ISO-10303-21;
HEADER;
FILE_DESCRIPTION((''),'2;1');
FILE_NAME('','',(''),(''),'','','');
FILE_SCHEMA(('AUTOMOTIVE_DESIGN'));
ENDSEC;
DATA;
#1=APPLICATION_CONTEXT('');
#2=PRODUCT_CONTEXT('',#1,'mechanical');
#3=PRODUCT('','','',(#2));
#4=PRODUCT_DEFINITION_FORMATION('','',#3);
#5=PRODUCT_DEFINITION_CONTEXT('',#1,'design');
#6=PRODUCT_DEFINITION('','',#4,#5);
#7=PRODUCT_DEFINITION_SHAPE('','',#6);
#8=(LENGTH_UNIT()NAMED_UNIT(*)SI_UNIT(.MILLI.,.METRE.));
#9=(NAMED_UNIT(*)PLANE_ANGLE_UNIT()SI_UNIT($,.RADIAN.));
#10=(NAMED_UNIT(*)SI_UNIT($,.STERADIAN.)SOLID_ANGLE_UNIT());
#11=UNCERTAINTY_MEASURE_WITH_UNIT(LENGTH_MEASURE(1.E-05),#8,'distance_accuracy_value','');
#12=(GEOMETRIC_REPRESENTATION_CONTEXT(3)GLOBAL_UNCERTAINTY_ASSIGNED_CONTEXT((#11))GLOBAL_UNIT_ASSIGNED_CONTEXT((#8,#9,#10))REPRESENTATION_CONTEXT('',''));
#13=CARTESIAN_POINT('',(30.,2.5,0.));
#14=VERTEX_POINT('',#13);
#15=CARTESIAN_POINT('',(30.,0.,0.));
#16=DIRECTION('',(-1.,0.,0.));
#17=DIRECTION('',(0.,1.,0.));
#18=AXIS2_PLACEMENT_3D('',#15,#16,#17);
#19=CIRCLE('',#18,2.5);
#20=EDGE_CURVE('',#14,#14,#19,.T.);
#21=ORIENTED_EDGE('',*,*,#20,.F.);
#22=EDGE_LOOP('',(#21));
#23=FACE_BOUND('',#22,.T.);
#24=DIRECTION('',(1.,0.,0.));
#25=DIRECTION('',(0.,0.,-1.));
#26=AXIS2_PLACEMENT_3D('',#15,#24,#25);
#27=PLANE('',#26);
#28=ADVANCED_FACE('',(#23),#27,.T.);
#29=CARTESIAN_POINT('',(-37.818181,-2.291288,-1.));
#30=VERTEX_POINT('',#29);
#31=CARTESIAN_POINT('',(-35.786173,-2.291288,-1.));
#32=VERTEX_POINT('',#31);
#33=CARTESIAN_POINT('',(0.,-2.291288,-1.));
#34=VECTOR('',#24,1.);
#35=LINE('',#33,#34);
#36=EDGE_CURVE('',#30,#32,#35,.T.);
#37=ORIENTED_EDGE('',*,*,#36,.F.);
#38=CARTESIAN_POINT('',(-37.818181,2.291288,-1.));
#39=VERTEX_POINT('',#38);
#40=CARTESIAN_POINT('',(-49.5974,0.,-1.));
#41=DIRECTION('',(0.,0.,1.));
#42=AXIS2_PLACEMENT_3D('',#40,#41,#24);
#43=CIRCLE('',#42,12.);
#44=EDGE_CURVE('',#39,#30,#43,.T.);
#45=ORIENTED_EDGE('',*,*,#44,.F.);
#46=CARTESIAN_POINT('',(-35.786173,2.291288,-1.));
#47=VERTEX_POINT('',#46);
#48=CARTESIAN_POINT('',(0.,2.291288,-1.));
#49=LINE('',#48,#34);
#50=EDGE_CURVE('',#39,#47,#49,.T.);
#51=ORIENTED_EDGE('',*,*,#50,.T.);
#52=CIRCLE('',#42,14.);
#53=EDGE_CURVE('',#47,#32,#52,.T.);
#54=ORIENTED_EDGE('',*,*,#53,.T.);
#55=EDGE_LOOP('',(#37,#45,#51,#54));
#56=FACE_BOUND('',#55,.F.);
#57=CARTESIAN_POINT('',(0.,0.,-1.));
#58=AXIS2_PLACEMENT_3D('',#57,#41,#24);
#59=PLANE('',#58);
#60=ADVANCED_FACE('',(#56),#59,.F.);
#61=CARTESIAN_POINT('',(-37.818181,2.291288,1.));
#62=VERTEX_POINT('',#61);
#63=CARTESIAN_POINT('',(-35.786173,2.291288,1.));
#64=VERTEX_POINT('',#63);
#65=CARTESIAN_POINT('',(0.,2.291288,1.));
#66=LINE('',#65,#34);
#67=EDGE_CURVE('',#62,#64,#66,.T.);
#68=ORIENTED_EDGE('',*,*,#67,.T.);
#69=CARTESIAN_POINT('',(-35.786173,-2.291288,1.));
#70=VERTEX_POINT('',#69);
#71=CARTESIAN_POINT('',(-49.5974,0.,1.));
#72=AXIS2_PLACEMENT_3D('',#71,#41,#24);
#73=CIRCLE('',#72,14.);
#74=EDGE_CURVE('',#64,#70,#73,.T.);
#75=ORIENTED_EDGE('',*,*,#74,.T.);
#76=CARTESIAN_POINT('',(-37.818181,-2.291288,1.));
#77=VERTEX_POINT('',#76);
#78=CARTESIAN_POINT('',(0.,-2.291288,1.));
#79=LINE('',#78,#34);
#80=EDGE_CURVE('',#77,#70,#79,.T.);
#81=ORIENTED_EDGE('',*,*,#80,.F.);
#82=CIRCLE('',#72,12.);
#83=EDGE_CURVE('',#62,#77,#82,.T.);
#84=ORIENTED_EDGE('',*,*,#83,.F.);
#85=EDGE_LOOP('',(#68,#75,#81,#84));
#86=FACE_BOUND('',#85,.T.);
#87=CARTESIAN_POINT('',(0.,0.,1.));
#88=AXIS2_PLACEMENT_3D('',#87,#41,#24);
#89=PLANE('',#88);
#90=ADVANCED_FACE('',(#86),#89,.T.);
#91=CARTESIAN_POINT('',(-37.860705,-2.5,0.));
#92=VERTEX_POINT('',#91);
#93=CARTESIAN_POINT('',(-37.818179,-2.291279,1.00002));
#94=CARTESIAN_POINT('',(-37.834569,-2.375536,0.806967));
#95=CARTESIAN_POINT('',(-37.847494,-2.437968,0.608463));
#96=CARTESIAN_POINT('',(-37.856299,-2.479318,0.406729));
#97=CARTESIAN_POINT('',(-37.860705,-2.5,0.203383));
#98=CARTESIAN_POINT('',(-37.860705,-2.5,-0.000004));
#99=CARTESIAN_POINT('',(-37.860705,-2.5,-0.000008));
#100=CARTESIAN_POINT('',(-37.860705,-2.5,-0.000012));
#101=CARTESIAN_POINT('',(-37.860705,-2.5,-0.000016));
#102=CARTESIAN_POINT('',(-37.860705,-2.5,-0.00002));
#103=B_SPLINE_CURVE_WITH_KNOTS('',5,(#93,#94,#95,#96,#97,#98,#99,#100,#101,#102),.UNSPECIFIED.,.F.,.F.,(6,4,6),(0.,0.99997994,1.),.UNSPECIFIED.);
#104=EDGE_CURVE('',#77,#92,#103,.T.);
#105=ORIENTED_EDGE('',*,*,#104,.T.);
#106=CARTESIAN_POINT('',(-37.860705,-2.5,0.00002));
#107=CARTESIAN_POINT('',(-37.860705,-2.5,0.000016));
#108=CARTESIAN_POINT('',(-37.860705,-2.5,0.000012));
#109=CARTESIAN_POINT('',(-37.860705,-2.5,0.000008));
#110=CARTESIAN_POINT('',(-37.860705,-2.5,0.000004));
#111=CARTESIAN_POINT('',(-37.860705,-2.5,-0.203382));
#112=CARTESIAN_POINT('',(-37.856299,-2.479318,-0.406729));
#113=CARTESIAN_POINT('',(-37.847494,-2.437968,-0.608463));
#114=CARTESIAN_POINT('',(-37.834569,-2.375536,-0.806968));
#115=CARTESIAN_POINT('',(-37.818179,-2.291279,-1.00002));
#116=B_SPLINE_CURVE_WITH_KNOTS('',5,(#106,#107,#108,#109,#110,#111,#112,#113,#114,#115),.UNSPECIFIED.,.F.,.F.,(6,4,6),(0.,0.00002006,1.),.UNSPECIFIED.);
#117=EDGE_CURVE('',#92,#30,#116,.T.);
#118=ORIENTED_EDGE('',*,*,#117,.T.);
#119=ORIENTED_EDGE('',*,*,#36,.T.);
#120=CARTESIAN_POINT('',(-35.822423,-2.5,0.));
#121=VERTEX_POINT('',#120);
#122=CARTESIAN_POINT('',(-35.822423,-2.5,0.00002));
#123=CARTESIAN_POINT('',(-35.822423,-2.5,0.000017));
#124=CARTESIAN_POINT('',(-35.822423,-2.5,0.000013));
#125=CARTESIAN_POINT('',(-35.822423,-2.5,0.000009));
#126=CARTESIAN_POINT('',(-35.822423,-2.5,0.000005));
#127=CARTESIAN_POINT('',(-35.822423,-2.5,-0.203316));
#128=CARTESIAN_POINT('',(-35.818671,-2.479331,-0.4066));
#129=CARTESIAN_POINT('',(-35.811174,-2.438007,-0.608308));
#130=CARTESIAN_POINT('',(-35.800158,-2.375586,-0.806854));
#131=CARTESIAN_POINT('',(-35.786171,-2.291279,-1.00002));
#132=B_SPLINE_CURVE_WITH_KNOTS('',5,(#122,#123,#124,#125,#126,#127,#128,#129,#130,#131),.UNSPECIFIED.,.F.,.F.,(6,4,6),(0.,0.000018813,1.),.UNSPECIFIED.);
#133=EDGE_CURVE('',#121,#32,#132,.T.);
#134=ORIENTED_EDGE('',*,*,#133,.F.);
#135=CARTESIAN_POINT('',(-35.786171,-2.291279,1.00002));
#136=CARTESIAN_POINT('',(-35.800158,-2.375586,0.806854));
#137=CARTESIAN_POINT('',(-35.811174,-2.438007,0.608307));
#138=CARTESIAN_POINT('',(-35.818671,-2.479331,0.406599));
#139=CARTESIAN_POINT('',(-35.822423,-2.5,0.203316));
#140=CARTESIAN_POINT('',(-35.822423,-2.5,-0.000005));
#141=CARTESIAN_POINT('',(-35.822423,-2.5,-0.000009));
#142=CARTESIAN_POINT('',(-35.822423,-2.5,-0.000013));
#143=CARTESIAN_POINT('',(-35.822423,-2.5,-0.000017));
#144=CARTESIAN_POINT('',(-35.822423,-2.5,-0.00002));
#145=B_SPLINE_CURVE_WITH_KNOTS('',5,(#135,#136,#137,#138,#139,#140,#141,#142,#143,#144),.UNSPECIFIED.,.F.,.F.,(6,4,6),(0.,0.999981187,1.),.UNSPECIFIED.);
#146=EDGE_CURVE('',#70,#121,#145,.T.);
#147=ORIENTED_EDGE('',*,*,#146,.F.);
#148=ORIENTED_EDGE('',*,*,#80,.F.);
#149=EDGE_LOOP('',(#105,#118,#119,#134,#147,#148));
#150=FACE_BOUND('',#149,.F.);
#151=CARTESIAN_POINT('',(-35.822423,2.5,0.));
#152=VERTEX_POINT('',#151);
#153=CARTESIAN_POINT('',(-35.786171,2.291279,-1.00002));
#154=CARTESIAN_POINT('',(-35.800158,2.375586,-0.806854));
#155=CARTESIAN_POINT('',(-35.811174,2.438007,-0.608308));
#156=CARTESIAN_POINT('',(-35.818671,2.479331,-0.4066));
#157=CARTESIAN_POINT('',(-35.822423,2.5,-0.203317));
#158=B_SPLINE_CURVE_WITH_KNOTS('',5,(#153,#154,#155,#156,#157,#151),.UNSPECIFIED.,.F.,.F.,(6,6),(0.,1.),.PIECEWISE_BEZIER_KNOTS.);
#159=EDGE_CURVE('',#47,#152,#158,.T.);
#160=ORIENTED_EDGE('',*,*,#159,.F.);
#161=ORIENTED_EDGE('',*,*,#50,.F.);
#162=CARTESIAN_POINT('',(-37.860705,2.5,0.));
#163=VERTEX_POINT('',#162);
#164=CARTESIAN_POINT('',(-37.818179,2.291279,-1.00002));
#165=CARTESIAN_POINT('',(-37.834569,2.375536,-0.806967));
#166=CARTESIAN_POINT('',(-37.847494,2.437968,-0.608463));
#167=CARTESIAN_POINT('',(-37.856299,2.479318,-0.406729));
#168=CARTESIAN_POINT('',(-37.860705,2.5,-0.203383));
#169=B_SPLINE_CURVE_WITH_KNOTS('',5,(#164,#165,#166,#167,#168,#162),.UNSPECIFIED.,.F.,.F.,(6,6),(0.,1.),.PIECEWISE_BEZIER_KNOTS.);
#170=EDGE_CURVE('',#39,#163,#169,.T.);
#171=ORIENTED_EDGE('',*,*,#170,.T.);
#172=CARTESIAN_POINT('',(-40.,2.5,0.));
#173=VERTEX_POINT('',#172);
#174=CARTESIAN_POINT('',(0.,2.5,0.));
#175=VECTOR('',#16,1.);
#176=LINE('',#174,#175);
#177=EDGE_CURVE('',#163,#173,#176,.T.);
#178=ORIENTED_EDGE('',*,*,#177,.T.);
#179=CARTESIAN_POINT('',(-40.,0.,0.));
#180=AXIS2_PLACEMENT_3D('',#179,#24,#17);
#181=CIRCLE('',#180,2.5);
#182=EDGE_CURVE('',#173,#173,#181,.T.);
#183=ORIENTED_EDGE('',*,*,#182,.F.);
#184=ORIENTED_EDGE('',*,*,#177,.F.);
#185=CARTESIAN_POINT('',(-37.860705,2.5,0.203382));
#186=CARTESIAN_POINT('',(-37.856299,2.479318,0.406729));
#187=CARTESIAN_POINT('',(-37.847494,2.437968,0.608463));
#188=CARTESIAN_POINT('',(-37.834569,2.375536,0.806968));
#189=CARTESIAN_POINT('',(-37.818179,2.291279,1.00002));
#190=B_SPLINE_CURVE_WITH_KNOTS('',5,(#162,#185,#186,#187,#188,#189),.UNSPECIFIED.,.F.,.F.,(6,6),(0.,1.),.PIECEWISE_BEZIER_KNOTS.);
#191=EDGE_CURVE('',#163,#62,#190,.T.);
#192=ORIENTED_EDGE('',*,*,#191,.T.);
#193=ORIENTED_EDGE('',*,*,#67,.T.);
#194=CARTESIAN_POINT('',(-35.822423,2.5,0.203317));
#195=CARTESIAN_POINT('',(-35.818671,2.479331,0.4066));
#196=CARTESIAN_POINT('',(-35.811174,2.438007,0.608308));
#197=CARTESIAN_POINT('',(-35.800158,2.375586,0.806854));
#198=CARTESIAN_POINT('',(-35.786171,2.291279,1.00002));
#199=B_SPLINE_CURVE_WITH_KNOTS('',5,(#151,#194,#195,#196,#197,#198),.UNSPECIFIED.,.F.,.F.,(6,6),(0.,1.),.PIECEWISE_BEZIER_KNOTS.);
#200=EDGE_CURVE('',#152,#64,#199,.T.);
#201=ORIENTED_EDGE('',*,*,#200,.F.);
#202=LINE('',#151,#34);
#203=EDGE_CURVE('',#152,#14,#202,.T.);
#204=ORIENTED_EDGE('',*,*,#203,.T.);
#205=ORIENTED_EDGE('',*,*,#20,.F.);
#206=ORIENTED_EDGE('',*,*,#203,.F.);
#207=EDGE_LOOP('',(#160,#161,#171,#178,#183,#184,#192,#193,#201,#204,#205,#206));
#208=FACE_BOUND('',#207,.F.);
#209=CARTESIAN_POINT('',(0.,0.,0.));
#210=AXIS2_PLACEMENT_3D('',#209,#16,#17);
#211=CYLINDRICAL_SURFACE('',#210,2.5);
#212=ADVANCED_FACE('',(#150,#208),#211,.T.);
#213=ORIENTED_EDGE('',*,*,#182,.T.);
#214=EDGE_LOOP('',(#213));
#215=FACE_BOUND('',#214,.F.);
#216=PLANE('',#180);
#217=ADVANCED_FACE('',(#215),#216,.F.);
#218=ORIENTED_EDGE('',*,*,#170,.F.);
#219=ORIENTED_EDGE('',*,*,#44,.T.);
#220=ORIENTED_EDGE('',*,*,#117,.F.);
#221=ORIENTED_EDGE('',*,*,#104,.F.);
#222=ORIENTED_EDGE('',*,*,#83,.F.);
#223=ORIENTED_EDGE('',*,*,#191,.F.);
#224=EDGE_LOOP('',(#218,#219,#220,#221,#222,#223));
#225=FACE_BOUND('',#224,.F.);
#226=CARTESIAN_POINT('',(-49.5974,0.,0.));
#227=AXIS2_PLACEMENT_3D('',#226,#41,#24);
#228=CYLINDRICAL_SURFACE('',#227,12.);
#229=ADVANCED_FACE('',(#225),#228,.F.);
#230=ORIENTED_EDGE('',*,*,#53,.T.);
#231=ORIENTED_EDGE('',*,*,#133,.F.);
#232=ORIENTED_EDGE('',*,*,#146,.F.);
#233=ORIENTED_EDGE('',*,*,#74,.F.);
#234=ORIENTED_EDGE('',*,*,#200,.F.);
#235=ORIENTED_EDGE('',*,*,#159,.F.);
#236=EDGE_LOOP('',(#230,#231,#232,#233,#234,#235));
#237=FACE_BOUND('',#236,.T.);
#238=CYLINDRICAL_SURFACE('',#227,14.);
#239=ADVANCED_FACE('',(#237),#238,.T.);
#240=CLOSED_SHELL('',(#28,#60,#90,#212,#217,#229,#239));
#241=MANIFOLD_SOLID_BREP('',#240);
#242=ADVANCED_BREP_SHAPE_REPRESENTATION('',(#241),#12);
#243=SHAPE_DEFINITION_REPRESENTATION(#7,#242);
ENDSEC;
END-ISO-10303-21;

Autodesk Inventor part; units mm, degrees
ref_plane "YZ Plane" through (0, 0, 0) normal (1, 0, 0) x (0, 1, 0)
ref_plane "XZ Plane" through (0, 0, 0) normal (0, 1, 0) x (-1, 0, 0)
ref_plane "XY Plane" through (0, 0, 0) normal (0, 0, 1) x (1, 0, 0)
sketch "Sketch1" plane through (0, 0, 0) normal (1, 0, 0) x (0, 1, 0)
  circle A0 centre (0, 0) radius 2.5
  dimension "d0" = 5
extrude "Extrusion1" add sketch "Sketch1" along normal mid plane 80
sketch "Sketch3" plane through (0, 0, 0) normal (0, 0, 1) x (1, 0, 0)
  circle A0 centre (-49.5974, 0) radius 12
  circle A1 centre (-49.5974, 0) radius 14
  point P0 (0, 0)
  dimension "d6" = 24
  dimension "d7" = 28
extrude "Extrusion3" add sketch "Sketch3" along normal mid plane 2
sketch "Sketch4" plane through (40, 0, 0) normal (1, 0, 0) x (0, 0, -1)
  circle A0 centre (0, 0) radius 2.5 projected
extrude "Extrusion4" cut sketch "Sketch4" against normal blind 10
properties part number "SS-5FL111-3T_Housing_02"
